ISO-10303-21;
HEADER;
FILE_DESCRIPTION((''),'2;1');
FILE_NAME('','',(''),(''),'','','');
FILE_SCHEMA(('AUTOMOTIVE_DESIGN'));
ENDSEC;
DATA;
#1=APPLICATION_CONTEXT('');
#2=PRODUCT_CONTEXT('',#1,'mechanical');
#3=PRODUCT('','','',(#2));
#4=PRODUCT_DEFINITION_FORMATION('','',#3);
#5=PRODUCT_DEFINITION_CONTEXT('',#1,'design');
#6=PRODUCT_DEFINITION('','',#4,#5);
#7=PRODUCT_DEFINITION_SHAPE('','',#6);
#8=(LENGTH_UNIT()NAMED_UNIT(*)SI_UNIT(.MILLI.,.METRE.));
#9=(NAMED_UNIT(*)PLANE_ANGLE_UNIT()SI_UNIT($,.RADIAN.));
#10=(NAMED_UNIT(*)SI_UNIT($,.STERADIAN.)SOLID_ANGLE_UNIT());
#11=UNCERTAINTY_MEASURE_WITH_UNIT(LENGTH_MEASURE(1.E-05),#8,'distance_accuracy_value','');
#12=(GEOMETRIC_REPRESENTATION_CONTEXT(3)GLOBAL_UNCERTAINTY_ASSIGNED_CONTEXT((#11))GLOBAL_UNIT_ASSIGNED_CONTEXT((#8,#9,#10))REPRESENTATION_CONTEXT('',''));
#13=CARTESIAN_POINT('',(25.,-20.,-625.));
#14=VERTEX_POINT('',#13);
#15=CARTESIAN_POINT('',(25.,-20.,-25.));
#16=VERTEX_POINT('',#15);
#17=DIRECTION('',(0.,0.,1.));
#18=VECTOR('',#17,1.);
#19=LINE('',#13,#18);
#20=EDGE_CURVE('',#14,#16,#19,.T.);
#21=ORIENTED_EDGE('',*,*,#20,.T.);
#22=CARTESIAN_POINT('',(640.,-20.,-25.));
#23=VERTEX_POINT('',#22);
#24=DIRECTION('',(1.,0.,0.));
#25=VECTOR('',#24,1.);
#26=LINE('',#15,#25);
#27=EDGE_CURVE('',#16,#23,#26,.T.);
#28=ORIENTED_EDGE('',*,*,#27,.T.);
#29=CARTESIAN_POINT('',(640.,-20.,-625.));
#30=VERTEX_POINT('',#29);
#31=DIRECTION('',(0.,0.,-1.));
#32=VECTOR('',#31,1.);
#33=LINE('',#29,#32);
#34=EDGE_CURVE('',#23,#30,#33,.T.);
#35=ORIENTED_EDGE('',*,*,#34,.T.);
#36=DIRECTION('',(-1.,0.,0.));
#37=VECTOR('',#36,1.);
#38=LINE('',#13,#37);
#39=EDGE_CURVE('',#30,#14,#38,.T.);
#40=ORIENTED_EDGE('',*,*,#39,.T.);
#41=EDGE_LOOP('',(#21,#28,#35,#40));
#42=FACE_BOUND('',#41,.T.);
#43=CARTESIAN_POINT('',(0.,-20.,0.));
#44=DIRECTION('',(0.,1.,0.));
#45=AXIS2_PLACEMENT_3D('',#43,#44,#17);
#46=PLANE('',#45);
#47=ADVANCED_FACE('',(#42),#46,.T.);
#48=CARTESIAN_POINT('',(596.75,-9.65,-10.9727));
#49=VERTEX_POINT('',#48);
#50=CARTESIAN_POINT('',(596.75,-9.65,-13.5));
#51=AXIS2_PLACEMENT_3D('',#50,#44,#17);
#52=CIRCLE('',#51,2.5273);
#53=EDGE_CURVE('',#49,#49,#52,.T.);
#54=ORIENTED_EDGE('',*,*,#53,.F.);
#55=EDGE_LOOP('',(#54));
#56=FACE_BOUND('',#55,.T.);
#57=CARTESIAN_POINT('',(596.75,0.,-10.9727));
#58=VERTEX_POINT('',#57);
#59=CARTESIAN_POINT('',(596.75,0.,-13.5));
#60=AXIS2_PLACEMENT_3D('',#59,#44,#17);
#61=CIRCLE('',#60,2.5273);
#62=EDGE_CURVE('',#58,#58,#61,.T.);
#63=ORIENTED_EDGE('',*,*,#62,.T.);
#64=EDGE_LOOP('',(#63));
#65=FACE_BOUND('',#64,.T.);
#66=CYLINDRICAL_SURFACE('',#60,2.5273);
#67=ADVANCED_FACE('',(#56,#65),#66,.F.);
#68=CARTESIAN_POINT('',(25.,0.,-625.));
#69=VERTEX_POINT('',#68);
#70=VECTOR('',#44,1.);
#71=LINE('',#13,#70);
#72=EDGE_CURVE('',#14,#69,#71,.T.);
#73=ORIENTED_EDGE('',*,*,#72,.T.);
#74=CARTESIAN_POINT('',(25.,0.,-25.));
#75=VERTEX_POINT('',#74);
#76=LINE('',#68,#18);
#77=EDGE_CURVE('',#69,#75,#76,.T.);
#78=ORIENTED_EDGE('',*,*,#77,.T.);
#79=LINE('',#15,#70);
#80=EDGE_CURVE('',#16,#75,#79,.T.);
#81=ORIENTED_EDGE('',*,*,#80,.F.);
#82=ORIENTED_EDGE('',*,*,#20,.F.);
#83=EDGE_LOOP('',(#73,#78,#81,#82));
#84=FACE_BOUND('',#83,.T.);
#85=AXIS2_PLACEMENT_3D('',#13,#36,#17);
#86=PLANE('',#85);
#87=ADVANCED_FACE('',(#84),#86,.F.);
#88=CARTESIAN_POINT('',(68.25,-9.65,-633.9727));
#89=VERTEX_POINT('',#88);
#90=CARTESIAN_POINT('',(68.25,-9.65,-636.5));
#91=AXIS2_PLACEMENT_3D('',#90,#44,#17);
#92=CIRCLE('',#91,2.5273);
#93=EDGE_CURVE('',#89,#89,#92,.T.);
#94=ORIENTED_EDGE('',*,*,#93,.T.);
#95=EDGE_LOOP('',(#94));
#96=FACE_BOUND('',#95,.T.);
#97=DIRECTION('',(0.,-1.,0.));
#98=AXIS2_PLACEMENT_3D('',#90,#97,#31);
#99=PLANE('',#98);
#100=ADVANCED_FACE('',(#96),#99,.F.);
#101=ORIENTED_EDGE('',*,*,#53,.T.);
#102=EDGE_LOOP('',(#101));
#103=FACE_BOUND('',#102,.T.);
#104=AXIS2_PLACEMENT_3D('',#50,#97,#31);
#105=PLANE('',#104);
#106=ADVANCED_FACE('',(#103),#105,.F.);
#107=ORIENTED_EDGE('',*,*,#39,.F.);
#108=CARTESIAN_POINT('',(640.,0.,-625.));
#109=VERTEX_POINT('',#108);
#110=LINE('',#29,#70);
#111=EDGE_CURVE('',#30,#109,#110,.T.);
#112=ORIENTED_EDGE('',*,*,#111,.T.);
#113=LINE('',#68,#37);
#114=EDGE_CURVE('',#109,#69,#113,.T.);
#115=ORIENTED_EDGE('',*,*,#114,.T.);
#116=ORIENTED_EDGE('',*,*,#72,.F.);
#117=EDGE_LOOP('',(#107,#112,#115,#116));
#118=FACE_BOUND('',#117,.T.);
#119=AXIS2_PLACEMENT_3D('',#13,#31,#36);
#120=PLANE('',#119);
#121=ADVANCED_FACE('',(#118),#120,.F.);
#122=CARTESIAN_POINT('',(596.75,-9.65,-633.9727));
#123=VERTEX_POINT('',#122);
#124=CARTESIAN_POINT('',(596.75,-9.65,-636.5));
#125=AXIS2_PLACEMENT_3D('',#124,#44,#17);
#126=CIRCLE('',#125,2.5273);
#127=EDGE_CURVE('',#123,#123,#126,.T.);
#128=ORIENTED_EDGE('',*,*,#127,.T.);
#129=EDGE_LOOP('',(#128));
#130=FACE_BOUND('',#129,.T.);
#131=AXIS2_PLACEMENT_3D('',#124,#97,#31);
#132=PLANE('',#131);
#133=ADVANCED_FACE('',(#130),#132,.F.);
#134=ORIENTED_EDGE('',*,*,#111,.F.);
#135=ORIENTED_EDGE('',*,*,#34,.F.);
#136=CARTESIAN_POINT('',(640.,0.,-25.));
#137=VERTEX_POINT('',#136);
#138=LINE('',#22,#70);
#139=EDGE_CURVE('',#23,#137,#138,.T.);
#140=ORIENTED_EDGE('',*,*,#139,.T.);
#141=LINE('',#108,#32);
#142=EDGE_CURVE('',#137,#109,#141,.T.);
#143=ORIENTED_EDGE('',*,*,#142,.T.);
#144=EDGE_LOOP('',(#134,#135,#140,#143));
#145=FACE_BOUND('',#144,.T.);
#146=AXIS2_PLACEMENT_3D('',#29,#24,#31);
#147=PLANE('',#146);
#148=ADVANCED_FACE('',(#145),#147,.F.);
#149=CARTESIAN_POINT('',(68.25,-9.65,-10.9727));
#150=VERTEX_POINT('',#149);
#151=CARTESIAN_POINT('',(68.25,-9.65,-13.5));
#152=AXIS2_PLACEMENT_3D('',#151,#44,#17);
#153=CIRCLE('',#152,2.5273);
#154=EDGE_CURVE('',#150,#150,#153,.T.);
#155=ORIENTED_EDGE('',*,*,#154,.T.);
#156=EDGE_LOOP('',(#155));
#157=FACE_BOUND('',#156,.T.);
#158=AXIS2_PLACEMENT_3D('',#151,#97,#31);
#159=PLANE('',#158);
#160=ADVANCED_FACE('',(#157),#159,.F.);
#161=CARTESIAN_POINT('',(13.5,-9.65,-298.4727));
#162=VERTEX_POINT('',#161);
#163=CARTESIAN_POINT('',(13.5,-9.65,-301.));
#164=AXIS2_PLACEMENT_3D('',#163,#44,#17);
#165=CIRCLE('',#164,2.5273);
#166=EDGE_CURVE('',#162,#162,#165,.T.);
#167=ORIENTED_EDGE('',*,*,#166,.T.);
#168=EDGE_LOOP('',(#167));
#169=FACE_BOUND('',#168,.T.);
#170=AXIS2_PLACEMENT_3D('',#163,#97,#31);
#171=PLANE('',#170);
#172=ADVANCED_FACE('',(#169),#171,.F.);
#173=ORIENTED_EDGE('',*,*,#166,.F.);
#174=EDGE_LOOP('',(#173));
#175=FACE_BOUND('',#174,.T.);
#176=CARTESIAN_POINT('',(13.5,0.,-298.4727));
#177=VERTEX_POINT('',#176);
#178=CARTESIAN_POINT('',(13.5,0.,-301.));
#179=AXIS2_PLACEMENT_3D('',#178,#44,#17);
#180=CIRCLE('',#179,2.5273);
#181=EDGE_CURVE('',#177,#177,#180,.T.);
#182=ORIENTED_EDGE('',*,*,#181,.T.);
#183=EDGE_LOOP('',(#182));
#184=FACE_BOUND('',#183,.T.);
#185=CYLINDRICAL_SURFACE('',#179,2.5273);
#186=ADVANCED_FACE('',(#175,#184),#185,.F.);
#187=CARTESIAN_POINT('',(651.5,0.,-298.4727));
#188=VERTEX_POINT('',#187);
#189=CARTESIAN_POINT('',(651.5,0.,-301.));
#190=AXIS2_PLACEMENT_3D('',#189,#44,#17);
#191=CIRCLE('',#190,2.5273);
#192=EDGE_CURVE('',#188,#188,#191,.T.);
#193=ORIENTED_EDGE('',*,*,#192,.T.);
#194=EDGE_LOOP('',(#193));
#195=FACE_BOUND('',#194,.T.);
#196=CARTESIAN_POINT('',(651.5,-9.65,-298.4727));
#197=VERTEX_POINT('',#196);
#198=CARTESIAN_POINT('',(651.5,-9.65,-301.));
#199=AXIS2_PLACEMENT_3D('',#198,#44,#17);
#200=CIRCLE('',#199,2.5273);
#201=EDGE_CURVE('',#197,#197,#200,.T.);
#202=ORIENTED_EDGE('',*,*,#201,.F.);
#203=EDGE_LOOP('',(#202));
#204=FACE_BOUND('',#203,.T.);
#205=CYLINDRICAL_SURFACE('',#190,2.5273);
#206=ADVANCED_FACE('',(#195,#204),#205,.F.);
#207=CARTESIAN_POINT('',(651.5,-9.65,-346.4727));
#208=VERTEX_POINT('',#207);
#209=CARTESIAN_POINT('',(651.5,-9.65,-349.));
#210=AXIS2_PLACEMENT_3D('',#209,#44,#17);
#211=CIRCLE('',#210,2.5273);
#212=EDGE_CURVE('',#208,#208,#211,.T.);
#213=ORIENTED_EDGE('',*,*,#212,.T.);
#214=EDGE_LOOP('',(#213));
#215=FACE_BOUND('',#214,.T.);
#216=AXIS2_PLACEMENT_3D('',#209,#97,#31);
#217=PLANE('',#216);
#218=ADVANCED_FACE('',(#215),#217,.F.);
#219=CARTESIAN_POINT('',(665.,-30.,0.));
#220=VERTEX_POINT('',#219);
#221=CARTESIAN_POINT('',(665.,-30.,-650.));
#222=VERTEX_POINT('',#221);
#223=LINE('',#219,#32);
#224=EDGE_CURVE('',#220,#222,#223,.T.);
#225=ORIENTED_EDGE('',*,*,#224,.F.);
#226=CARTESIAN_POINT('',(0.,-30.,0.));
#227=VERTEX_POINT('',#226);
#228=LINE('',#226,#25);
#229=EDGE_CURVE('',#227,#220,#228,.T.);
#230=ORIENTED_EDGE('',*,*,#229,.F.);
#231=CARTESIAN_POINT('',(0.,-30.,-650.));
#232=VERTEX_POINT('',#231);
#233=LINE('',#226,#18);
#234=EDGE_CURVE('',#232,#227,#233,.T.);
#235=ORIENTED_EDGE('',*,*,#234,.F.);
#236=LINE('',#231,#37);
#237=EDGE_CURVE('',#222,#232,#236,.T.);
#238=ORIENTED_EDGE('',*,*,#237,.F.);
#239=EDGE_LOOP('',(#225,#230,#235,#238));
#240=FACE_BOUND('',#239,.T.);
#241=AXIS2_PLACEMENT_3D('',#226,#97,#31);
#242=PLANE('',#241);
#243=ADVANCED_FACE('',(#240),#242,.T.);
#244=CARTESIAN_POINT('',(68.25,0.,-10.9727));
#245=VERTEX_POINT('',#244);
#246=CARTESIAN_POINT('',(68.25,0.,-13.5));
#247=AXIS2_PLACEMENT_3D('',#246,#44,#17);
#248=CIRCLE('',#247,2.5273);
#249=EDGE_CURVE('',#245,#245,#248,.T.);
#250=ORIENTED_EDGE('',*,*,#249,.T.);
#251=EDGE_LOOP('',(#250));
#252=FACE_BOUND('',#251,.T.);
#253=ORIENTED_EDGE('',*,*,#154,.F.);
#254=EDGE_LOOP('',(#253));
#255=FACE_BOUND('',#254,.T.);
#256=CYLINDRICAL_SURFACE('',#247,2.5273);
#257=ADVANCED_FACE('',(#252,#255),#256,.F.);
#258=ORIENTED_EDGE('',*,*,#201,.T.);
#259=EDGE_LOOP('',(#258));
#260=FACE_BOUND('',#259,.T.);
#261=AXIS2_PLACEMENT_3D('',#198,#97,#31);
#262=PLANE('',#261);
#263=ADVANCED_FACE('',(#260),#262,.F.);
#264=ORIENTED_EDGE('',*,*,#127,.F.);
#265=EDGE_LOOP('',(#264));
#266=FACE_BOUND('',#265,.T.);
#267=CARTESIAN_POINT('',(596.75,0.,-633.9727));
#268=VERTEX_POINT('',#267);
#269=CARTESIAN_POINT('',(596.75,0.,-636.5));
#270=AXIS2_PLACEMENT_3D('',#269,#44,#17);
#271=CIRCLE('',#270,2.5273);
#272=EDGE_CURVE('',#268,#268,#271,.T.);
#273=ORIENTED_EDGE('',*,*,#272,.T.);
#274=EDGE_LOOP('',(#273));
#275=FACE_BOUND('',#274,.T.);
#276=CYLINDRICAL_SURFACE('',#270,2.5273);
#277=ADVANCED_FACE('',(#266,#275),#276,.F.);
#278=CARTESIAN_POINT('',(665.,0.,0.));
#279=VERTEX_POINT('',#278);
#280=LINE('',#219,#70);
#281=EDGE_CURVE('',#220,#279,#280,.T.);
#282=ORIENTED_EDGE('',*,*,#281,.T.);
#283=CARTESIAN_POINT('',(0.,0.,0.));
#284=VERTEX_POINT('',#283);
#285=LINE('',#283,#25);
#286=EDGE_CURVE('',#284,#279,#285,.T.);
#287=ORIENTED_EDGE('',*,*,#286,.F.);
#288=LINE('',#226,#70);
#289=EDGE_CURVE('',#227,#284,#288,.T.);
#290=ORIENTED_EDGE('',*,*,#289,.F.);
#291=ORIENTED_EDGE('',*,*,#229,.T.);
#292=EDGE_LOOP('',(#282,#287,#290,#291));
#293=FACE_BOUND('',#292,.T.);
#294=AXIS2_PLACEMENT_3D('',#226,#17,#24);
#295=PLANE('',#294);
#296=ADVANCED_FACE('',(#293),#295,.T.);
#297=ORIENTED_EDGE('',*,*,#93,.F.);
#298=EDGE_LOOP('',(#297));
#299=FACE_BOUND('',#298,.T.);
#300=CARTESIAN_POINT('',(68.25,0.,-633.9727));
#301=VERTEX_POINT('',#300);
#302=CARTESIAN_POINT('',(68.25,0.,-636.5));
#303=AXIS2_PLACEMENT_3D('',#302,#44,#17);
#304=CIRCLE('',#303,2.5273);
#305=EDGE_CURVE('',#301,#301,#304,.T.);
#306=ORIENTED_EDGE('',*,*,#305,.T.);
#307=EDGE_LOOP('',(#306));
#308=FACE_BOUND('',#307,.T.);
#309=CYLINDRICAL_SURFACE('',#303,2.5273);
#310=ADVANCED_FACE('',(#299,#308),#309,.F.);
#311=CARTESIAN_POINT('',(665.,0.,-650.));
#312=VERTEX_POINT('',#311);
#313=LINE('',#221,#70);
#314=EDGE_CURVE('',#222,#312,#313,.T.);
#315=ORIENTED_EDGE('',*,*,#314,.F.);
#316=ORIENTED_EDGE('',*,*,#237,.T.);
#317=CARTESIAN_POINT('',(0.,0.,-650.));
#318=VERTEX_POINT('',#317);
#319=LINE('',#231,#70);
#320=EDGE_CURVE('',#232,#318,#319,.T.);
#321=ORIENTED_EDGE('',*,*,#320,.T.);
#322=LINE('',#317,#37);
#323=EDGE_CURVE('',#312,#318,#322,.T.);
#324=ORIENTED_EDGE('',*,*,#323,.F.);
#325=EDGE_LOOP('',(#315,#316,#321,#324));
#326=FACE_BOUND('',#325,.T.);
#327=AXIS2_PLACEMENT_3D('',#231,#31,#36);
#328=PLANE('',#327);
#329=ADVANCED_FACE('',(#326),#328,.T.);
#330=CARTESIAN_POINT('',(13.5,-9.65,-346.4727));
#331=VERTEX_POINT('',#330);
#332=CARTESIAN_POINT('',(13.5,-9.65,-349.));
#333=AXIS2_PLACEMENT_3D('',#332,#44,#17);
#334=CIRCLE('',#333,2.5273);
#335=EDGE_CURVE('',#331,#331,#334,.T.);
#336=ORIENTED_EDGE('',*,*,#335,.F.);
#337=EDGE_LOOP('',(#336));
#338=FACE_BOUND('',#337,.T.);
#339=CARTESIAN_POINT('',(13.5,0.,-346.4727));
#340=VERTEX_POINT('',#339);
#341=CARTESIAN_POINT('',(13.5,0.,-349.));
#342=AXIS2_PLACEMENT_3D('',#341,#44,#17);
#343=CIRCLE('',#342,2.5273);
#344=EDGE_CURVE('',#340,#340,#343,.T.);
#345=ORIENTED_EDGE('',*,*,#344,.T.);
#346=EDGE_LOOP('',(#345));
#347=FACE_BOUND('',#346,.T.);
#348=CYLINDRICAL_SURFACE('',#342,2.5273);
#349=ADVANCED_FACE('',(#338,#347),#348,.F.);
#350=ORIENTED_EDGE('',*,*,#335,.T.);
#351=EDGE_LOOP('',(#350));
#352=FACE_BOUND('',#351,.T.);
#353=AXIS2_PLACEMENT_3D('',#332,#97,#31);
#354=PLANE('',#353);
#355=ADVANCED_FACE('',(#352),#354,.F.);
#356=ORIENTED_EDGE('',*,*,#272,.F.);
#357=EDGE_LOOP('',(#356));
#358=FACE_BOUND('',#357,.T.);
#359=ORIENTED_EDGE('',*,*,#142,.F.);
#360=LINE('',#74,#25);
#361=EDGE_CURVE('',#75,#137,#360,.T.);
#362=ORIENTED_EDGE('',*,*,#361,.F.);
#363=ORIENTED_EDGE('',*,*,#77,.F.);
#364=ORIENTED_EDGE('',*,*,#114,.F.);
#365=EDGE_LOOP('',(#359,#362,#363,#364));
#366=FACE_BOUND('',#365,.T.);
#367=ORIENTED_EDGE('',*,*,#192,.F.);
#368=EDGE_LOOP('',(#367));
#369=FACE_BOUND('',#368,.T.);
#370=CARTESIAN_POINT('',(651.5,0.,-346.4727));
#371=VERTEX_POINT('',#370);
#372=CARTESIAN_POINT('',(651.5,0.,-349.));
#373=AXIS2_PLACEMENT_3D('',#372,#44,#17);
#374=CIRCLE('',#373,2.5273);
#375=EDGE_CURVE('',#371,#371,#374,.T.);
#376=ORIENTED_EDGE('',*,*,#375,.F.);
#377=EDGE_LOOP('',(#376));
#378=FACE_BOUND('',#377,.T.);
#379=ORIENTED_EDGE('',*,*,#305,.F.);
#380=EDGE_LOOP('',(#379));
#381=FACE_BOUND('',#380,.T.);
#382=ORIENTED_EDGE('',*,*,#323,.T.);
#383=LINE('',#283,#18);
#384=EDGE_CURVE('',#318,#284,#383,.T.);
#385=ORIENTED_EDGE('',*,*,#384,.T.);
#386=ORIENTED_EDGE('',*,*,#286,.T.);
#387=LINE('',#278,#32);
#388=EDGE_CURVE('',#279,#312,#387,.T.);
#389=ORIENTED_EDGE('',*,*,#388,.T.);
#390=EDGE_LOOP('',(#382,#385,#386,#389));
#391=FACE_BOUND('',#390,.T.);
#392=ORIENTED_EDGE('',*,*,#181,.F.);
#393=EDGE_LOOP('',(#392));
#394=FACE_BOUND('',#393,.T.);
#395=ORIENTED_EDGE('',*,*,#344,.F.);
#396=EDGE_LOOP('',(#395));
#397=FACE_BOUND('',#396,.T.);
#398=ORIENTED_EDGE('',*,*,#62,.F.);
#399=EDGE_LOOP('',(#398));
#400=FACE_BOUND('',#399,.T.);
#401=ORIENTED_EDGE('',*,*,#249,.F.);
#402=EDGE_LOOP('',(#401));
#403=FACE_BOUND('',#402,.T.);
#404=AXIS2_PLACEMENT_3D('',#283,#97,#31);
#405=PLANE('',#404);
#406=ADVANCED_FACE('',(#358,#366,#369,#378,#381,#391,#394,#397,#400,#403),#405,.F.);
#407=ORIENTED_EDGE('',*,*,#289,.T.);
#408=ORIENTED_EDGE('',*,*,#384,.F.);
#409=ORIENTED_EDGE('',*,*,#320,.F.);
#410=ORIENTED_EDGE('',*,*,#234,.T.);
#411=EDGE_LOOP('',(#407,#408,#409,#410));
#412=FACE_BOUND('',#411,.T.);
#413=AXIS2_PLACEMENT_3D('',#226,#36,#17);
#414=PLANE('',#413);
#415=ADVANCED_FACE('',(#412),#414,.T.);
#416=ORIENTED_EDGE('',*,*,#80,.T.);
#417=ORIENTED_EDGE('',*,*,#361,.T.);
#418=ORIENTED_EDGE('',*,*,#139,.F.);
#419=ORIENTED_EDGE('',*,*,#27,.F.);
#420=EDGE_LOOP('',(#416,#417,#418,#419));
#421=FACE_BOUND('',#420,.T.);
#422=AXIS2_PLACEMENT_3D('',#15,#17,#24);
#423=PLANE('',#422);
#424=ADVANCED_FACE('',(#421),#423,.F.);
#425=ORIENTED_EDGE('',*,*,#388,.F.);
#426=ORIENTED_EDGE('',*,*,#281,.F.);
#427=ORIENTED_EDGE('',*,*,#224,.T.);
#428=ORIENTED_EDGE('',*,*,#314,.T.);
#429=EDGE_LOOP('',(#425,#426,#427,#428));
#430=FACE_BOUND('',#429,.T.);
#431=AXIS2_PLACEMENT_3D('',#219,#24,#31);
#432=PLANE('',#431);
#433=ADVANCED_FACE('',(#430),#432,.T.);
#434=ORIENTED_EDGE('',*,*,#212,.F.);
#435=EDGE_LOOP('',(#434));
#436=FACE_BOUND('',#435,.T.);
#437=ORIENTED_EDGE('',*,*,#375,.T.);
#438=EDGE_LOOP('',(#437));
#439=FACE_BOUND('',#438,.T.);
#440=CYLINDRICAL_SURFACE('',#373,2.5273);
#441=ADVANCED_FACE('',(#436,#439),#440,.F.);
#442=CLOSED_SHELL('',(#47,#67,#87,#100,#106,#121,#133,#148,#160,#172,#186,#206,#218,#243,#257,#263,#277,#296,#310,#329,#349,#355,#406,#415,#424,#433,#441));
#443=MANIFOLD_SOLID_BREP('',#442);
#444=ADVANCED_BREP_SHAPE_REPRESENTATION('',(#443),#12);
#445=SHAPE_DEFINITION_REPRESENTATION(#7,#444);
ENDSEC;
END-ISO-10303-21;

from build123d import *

# Parameters (mm, degrees)
SKETCH1_W                      = 665
SKETCH1_H                      = 650
BOSS_EXTRUDE1_DEPTH            = 30
F_8_0_199_DIAMETER_HOLE1_D     = 5.0546
F_8_0_199_DIAMETER_HOLE1_DEPTH = 9.65
SKETCH4_W                      = 615
SKETCH4_H                      = 600
CUT_EXTRUDE1_DEPTH             = 20


with BuildPart() as part:
    # Sketch1 → Boss-Extrude1 (new body)
    with BuildSketch(Plane(origin=(0, 0, 0), x_dir=(1, 0, 0), z_dir=(0, 1, 0))):
        with Locations((332.5, 325)):
            Rectangle(SKETCH1_W, SKETCH1_H)
    extrude(amount=-BOSS_EXTRUDE1_DEPTH)

    # #8 (0.199) Diameter Hole1
    with Locations(Plane(origin=(0, 0, 0), x_dir=(1, 0, 0), z_dir=(0, 1, 0))):
        with Locations((68.25, 13.5), (13.5, 301), (596.75, 13.5), (651.5, 301), (651.5, 349), (596.75, 636.5), (68.25, 636.5), (13.5, 349)):
            Hole(F_8_0_199_DIAMETER_HOLE1_D / 2, depth=F_8_0_199_DIAMETER_HOLE1_DEPTH)

    # Sketch4 → Cut-Extrude1 (cut)
    with BuildSketch(Plane(origin=(0, 0, 0), x_dir=(1, 0, 0), z_dir=(0, 1, 0))):
        with Locations((332.5, 325)):
            Rectangle(SKETCH4_W, SKETCH4_H)
    extrude(amount=-CUT_EXTRUDE1_DEPTH, mode=Mode.SUBTRACT)


solid = part.part
